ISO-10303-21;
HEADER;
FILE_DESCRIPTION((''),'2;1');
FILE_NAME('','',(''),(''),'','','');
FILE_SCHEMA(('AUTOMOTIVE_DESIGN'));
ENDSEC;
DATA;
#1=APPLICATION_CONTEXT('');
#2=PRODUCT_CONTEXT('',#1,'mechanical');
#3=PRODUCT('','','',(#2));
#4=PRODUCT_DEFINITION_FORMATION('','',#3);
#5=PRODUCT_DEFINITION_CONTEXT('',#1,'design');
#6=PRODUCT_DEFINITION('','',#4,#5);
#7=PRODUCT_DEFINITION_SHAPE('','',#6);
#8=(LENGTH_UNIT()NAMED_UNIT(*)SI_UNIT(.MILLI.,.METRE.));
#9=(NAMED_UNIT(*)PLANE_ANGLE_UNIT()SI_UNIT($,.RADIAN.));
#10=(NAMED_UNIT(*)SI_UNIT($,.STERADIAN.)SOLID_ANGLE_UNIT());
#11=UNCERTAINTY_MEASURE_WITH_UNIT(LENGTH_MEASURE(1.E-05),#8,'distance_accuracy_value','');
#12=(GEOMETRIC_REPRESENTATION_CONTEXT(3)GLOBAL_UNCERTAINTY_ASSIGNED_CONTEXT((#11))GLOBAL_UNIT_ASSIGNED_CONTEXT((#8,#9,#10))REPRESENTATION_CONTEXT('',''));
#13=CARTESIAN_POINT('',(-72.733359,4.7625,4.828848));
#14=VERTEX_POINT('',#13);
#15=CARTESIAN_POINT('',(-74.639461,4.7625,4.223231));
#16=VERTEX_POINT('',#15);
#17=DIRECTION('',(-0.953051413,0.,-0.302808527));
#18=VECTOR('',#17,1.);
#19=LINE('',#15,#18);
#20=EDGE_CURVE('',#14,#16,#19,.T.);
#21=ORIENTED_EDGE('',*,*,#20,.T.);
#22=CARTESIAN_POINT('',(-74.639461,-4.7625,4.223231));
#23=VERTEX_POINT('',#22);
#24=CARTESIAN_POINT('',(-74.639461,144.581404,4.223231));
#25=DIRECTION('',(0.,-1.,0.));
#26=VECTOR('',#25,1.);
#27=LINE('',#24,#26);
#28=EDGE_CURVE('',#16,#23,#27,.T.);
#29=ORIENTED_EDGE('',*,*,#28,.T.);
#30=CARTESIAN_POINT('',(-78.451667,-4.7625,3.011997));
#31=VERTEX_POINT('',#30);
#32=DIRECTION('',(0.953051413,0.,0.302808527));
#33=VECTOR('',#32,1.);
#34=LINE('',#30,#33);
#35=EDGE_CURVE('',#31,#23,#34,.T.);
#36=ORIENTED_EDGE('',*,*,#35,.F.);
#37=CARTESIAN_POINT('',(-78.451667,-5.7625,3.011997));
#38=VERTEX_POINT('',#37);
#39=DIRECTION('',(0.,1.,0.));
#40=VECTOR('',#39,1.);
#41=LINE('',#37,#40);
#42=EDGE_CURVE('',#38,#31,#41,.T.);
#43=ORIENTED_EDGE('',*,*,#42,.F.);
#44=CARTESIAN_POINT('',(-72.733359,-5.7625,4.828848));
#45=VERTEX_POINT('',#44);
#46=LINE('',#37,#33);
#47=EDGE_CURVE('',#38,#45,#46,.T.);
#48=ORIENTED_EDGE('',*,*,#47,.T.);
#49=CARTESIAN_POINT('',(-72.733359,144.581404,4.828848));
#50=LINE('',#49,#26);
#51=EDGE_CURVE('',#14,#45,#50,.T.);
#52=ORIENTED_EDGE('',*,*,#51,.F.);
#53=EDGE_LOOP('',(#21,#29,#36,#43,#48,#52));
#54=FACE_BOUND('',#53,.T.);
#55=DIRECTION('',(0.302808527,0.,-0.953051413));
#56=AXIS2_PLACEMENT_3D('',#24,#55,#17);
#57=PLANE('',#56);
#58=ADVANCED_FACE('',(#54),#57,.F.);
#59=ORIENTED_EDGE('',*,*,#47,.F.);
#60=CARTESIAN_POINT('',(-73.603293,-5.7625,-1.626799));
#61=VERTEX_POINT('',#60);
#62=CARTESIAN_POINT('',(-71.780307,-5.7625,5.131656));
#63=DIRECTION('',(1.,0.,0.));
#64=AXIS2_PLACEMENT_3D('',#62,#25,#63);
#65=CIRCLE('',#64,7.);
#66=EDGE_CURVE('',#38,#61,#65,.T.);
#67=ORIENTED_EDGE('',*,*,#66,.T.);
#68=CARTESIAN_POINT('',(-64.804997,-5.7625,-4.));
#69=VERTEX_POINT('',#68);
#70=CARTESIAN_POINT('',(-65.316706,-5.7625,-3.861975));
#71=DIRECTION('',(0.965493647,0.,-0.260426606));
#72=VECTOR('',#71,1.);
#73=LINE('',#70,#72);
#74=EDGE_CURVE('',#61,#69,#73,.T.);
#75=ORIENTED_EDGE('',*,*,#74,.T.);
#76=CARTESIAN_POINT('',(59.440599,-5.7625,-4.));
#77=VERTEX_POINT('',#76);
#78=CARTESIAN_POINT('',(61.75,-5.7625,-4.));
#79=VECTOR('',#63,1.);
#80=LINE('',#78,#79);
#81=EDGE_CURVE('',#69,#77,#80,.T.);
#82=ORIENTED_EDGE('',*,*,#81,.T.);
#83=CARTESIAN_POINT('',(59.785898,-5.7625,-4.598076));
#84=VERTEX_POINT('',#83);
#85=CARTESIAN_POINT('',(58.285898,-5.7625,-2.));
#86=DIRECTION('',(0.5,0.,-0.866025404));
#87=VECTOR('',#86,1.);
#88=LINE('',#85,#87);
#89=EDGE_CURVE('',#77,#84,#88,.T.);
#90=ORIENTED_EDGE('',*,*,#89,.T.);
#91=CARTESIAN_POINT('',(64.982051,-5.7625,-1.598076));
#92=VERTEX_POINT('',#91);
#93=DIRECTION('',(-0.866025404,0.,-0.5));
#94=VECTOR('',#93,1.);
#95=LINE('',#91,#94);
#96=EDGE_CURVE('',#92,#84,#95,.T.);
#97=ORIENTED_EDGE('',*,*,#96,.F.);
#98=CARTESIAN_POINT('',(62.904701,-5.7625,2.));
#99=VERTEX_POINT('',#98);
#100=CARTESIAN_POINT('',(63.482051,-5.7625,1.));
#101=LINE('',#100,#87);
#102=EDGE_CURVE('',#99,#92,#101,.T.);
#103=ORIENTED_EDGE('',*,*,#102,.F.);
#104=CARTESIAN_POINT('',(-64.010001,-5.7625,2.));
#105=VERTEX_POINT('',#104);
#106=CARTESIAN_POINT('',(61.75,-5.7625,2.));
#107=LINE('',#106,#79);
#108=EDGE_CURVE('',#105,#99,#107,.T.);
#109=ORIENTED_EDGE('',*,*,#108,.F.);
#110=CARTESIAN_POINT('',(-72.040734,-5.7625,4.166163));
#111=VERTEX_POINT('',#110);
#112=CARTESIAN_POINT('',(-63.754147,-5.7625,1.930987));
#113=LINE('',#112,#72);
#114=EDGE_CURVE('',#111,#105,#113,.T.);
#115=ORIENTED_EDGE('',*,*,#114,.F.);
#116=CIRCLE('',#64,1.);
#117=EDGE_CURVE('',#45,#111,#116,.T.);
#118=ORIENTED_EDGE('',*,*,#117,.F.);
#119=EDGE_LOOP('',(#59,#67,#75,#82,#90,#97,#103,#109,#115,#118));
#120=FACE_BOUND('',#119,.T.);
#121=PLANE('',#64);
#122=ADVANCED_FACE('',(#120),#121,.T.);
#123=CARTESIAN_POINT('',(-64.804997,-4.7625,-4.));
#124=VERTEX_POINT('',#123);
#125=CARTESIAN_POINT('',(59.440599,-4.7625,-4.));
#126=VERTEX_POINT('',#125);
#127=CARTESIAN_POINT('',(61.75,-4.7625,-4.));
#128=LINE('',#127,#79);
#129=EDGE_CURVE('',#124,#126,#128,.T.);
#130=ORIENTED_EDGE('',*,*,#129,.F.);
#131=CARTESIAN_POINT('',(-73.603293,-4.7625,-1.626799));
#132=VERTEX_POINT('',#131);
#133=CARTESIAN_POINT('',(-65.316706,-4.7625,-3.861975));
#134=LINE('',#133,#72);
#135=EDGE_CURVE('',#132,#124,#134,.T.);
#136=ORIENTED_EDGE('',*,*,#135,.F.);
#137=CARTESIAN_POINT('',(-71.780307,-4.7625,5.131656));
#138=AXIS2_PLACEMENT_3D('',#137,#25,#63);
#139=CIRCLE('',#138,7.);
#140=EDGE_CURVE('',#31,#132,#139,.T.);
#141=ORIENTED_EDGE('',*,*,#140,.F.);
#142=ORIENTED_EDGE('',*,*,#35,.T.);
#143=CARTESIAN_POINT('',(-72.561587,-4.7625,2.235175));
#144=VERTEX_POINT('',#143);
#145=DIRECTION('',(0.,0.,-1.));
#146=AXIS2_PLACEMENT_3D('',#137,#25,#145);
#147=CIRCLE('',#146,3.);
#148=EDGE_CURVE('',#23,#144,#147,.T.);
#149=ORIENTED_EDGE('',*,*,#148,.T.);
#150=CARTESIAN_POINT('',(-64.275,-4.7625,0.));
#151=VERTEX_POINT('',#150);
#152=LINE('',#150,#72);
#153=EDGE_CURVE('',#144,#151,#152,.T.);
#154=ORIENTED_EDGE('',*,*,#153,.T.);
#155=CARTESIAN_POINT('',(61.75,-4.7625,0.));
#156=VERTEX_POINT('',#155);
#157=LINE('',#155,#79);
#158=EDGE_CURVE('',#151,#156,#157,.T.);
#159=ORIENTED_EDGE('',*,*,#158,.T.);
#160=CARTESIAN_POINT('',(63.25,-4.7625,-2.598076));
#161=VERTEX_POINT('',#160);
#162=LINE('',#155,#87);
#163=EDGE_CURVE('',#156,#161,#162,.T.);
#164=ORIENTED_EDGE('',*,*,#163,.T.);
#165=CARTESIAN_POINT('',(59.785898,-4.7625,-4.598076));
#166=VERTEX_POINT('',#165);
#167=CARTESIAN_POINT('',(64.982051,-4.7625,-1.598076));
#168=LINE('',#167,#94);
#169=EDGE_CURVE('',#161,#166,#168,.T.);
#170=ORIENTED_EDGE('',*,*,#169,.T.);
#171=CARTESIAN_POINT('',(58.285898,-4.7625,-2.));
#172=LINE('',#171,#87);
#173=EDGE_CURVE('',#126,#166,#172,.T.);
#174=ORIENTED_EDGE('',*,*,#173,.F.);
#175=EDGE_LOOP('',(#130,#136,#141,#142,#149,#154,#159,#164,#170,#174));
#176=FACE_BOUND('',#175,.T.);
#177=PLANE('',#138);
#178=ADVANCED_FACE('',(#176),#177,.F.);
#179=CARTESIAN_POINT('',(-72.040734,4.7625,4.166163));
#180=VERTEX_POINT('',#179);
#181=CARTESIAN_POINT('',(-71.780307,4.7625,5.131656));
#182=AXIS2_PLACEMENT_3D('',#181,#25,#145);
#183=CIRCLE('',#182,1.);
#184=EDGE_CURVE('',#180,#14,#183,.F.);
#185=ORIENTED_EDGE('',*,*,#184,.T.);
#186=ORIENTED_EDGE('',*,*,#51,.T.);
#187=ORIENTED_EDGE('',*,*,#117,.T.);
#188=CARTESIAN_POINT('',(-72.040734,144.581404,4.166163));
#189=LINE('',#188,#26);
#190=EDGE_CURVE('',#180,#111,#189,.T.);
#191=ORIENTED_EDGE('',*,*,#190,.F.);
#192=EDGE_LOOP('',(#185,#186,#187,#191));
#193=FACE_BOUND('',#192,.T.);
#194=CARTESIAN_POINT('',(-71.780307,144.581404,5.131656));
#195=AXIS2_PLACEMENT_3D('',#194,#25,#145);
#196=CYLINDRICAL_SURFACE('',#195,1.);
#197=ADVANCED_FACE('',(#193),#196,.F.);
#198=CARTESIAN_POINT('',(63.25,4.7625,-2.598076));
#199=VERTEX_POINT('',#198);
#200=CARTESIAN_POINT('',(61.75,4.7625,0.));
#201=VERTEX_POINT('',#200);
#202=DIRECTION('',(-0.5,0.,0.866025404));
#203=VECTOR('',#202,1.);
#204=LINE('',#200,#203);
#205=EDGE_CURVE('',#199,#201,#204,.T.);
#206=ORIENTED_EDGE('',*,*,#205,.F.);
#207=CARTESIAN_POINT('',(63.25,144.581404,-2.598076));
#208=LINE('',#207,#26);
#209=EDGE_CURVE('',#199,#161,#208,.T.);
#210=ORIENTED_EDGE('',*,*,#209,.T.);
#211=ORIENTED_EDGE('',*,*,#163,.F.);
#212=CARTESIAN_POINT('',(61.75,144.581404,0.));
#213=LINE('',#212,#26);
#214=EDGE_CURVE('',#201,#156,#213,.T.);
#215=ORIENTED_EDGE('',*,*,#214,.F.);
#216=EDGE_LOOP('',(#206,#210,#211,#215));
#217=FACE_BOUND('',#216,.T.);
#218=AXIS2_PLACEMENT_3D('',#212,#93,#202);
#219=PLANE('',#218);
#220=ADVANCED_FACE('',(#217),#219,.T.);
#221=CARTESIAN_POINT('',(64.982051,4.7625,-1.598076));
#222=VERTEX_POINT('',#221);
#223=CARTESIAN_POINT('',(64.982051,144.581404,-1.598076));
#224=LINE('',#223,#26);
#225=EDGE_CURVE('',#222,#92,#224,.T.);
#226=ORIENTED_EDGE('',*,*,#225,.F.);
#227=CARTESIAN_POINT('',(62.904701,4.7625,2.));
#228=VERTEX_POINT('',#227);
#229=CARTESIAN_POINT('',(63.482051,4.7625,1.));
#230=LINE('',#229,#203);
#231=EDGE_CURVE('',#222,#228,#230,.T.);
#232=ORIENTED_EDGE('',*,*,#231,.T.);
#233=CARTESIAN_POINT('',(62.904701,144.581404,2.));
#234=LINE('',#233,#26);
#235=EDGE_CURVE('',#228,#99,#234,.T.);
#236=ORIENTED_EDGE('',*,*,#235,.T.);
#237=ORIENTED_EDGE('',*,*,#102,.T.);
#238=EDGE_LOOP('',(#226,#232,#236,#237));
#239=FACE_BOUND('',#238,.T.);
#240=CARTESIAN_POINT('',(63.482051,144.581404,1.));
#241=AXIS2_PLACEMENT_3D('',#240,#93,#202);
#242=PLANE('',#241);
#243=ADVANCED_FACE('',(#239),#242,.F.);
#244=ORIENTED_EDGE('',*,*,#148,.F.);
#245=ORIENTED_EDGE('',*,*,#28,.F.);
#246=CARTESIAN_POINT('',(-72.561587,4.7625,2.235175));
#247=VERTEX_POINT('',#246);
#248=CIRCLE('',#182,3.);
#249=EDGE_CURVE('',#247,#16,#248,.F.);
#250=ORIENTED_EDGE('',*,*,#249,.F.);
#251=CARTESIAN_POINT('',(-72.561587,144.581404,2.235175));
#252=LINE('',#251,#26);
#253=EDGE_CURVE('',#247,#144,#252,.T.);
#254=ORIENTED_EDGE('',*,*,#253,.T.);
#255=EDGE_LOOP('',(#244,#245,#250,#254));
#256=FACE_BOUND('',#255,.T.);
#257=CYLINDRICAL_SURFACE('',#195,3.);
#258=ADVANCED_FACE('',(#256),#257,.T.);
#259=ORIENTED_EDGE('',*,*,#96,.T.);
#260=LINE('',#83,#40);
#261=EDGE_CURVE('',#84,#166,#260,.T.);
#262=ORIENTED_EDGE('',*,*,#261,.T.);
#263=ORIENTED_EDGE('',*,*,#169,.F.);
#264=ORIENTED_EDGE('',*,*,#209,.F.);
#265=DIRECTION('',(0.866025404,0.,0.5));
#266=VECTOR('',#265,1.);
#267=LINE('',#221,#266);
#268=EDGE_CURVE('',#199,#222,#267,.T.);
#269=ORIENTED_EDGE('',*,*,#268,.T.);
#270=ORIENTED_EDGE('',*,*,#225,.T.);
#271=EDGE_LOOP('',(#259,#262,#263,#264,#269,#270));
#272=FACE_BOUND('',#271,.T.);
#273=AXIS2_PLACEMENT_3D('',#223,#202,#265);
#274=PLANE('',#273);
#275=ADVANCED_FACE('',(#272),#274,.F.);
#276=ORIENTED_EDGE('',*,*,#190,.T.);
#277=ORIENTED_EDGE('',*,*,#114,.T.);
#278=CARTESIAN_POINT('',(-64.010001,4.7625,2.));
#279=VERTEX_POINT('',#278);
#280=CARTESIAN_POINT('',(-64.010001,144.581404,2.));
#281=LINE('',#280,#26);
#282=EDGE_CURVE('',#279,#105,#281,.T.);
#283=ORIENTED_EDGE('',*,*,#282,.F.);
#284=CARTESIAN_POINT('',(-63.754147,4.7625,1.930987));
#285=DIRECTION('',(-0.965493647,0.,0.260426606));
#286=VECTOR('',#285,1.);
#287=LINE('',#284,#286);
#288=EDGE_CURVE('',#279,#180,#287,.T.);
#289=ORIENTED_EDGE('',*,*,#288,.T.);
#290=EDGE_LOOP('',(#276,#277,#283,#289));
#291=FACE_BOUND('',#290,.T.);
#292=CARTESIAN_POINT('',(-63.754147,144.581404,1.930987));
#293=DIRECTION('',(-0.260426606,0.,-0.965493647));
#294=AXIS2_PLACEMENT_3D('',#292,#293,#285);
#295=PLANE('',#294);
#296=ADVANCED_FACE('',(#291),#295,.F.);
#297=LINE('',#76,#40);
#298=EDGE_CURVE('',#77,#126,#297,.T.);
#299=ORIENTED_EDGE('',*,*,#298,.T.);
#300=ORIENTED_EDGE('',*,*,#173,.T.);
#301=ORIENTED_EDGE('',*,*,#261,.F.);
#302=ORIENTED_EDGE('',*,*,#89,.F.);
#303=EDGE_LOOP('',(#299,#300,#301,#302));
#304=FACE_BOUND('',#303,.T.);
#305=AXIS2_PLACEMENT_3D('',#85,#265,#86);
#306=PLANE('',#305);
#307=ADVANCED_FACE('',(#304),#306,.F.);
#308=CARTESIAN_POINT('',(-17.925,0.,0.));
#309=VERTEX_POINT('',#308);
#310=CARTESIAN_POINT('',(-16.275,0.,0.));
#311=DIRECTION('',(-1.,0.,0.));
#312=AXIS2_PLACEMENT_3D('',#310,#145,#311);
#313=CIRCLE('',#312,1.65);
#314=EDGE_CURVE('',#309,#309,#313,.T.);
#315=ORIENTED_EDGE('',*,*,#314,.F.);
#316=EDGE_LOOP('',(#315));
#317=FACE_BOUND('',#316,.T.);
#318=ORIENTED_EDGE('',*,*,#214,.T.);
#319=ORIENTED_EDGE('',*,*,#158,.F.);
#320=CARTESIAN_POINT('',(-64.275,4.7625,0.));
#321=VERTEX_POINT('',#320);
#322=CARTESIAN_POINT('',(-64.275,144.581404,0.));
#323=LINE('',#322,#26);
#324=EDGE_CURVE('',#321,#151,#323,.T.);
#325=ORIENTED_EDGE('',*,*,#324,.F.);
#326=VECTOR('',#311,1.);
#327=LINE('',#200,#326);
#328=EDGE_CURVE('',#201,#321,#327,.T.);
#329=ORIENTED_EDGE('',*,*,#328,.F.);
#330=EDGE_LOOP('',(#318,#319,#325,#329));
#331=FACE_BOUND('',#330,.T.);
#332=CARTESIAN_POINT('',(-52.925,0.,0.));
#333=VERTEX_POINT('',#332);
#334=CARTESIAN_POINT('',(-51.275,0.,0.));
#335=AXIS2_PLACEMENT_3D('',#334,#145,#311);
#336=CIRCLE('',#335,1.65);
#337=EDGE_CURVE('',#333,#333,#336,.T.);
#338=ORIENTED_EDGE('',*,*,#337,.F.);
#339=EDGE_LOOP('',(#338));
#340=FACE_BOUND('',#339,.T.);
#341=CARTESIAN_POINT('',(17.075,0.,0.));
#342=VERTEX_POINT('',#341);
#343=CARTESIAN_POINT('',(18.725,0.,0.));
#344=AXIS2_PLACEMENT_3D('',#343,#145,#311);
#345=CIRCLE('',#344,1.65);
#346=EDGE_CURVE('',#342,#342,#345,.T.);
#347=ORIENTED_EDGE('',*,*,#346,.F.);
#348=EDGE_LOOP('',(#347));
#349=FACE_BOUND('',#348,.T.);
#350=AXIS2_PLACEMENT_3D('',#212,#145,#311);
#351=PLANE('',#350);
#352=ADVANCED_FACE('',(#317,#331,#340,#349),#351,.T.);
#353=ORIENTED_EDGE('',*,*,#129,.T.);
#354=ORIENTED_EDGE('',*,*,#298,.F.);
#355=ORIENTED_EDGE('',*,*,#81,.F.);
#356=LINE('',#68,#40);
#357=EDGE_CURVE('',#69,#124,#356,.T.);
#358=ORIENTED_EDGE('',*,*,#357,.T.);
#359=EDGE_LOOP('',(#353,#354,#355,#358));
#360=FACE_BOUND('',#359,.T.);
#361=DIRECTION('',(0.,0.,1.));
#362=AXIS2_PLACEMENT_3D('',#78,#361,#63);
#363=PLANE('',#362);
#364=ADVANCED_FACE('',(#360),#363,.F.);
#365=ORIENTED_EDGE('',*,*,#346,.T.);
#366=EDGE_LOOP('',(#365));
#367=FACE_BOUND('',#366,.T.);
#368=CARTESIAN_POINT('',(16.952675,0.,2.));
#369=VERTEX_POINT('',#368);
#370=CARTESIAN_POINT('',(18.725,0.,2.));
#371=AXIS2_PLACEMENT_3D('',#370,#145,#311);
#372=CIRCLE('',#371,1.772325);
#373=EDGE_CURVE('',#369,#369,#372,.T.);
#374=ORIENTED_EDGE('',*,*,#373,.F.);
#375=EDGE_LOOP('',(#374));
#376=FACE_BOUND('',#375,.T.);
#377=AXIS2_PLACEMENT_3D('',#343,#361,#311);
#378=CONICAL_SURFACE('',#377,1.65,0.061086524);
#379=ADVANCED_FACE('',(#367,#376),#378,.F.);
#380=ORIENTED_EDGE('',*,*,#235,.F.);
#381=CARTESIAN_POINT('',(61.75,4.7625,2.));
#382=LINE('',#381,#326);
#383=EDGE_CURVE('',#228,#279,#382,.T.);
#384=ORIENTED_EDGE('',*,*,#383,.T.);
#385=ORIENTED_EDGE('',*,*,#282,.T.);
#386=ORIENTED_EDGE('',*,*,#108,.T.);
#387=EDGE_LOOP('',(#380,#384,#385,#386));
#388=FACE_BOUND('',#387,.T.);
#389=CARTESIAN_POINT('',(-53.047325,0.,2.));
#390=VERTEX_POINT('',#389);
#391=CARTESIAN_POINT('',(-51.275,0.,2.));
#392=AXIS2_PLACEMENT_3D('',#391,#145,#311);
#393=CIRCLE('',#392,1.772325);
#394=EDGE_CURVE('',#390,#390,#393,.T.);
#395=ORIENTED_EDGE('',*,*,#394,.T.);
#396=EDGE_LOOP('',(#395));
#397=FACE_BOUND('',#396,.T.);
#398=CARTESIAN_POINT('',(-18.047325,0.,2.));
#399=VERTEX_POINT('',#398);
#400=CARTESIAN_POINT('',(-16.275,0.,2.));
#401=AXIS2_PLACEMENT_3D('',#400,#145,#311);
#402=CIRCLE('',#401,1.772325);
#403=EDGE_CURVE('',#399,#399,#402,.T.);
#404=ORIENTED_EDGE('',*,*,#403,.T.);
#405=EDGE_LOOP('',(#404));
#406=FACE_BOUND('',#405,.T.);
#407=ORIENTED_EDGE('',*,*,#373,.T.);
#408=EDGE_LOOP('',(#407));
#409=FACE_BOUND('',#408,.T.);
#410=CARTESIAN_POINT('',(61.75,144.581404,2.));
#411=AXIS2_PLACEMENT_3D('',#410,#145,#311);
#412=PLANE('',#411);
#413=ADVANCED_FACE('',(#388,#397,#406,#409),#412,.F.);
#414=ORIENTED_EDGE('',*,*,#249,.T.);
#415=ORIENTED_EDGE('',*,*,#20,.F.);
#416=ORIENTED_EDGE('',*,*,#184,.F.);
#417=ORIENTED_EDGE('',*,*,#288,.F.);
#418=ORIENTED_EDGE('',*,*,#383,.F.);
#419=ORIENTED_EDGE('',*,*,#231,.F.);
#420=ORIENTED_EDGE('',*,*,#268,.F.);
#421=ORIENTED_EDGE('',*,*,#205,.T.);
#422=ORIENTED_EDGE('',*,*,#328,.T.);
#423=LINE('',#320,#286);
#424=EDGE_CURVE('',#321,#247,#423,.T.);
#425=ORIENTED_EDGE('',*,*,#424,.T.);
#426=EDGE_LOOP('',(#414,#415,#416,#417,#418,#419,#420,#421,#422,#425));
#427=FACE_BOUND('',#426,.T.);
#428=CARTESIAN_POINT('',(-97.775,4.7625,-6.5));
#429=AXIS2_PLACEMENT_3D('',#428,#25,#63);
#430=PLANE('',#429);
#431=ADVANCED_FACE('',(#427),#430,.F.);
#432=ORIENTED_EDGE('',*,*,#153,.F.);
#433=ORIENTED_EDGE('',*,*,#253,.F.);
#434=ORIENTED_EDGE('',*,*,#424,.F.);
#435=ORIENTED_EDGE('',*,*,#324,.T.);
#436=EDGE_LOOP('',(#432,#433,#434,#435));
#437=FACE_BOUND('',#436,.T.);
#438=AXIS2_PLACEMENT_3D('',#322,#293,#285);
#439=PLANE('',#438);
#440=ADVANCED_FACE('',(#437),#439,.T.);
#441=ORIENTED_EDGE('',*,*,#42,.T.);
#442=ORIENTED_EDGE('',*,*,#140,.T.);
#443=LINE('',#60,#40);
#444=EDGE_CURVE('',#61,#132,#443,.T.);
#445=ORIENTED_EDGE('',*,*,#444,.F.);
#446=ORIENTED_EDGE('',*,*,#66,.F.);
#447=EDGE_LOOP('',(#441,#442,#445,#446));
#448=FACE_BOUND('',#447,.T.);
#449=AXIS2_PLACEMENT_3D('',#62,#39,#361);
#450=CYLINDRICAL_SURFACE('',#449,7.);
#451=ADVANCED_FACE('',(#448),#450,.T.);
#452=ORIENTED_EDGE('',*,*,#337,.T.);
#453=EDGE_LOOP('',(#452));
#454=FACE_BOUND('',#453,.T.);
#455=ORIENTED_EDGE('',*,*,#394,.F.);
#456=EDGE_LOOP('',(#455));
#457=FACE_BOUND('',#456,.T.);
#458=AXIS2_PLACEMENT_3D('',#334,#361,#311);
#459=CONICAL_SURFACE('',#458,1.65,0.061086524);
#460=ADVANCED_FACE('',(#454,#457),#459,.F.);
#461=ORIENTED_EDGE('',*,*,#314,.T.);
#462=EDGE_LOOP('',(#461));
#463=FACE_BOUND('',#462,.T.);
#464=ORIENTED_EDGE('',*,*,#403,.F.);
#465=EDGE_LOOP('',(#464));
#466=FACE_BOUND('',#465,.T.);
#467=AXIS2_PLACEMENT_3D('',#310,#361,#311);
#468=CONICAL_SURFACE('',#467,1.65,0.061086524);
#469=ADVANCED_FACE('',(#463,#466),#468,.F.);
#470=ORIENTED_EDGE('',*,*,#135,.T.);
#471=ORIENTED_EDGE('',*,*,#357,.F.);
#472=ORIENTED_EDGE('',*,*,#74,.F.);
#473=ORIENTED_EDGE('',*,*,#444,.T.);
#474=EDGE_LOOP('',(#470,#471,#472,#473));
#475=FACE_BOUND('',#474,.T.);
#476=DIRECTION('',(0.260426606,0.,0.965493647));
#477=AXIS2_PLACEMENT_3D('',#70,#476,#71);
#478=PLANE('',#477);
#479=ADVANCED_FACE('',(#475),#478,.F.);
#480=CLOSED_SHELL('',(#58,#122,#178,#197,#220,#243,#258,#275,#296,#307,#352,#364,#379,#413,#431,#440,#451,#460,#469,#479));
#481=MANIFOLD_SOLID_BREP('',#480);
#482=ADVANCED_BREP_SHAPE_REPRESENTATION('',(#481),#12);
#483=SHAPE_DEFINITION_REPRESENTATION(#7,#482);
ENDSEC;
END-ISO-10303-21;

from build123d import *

# Parameters (mm, degrees)
EXTRUDE_THIN1_DEPTH          = 9.525
SKETCH3_R                    = 1.65
CUT_EXTRUDE1_DEPTH           = 75.946970354
CUT_EXTRUDE1_DRAFT           = 3.5
CUT_EXTRUDE1_PROFILE_2_DEPTH = 75.946970354
CUT_EXTRUDE1_PROFILE_2_DRAFT = 3.5
CUT_EXTRUDE1_PROFILE_3_DEPTH = 75.946970354
CUT_EXTRUDE1_PROFILE_3_DRAFT = 3.5
EXTRUDE_THIN2_START          = 1
EXTRUDE_THIN2_DEPTH          = 1


with BuildPart() as part:
    # Sketch2 → Extrude-Thin1 (new body)
    with BuildSketch(Plane.XZ.offset(4.7625)):
        with BuildLine():
            Line((63.25, -2.598076211), (61.75, 0))
            Line((61.75, 0), (-64.275, 0))
            Line((-64.275, 0), (-72.561586906, 2.235175454))
            ThreePointArc((-72.561586906, 2.235175454), (-73.854260092, 2.964003531), (-74.639461328, 4.223230813))
            Line((-74.639461328, 4.223230813), (-72.733358502, 4.828847868))
            ThreePointArc((-72.733358502, 4.828847868), (-72.471624756, 4.409105441), (-72.040733695, 4.166162748))
            Line((-72.040733695, 4.166162748), (-64.010001325, 2))
            Line((-64.010001325, 2), (62.904700538, 2))
            Line((62.904700538, 2), (64.982050808, -1.598076211))
            Line((64.982050808, -1.598076211), (63.25, -2.598076211))
        make_face()
    extrude(amount=-EXTRUDE_THIN1_DEPTH)


with BuildPart() as cut_extrude1_tool:
    # Sketch3 → Cut-Extrude1 (with draft: the straight prism first)
    with BuildSketch(Plane(origin=(0, 0, 0), x_dir=(-1, 0, 0), z_dir=(0, 0, -1))):
        with Locations((51.275, 0)):
            Circle(SKETCH3_R)
    extrude(amount=-CUT_EXTRUDE1_DEPTH)
    # Cut-Extrude1: the draft: its side faces are tilted about the plane it starts from
    cut_extrude1_sides = [cut_extrude1_tool.faces().sort_by_distance(p)[0] for p in [
        (-49.625, 0, 37.973485177),
    ]]
    draft(cut_extrude1_sides, Plane(origin=(0, 0, 0), x_dir=(-1, 0, 0), z_dir=(0, 0, -1)), CUT_EXTRUDE1_DRAFT)


with BuildPart() as part_1:
    add(part.part)

    # Cut-Extrude1: cut by cut_extrude1_tool
    add(cut_extrude1_tool.part, mode=Mode.SUBTRACT)


with BuildPart() as cut_extrude1_profile_2_tool:
    # Sketch3 → Cut-Extrude1 profile 2 (with draft: the straight prism first)
    with BuildSketch(Plane(origin=(0, 0, 0), x_dir=(-1, 0, 0), z_dir=(0, 0, -1))):
        with Locations((16.275, 0)):
            Circle(SKETCH3_R)
    extrude(amount=-CUT_EXTRUDE1_PROFILE_2_DEPTH)
    # Cut-Extrude1 profile 2: the draft: its side faces are tilted about the plane it starts from
    cut_extrude1_profile_2_sides = [cut_extrude1_profile_2_tool.faces().sort_by_distance(p)[0] for p in [
        (-14.625, 0, 37.973485177),
    ]]
    draft(cut_extrude1_profile_2_sides, Plane(origin=(0, 0, 0), x_dir=(-1, 0, 0), z_dir=(0, 0, -1)), CUT_EXTRUDE1_PROFILE_2_DRAFT)


with BuildPart() as part_2:
    add(part_1.part)

    # Cut-Extrude1 profile 2: cut by cut_extrude1_profile_2_tool
    add(cut_extrude1_profile_2_tool.part, mode=Mode.SUBTRACT)


with BuildPart() as cut_extrude1_profile_3_tool:
    # Sketch3 → Cut-Extrude1 profile 3 (with draft: the straight prism first)
    with BuildSketch(Plane(origin=(0, 0, 0), x_dir=(-1, 0, 0), z_dir=(0, 0, -1))):
        with Locations((-18.725, 0)):
            Circle(SKETCH3_R)
    extrude(amount=-CUT_EXTRUDE1_PROFILE_3_DEPTH)
    # Cut-Extrude1 profile 3: the draft: its side faces are tilted about the plane it starts from
    cut_extrude1_profile_3_sides = [cut_extrude1_profile_3_tool.faces().sort_by_distance(p)[0] for p in [
        (20.375, 0, 37.973485177),
    ]]
    draft(cut_extrude1_profile_3_sides, Plane(origin=(0, 0, 0), x_dir=(-1, 0, 0), z_dir=(0, 0, -1)), CUT_EXTRUDE1_PROFILE_3_DRAFT)


with BuildPart() as part_3:
    add(part_2.part)

    # Cut-Extrude1 profile 3: cut by cut_extrude1_profile_3_tool
    add(cut_extrude1_profile_3_tool.part, mode=Mode.SUBTRACT)

    # Sketch2<2> → Extrude-Thin2 (add)
    with BuildSketch(Plane.XZ.offset(4.7625).offset(EXTRUDE_THIN2_START)):
        with BuildLine():
            Line((64.982050808, -1.598076211), (62.904700538, 2))
            Line((62.904700538, 2), (-64.010001325, 2))
            Line((-64.010001325, 2), (-72.040733695, 4.166162748))
            ThreePointArc((-72.040733695, 4.166162748), (-72.471624756, 4.409105441), (-72.733358502, 4.828847868))
            Line((-72.733358502, 4.828847868), (-78.451666979, 3.011996703))
            ThreePointArc((-78.451666979, 3.011996703), (-76.619530762, 0.073799711), (-73.603293329, -1.626799136))
            Line((-73.603293329, -1.626799136), (-64.804997349, -4))
            Line((-64.804997349, -4), (59.440598923, -4))
            Line((59.440598923, -4), (59.785898385, -4.598076211))
            Line((59.785898385, -4.598076211), (64.982050808, -1.598076211))
        make_face()
    extrude(amount=-EXTRUDE_THIN2_DEPTH)


solid = part_3.part
